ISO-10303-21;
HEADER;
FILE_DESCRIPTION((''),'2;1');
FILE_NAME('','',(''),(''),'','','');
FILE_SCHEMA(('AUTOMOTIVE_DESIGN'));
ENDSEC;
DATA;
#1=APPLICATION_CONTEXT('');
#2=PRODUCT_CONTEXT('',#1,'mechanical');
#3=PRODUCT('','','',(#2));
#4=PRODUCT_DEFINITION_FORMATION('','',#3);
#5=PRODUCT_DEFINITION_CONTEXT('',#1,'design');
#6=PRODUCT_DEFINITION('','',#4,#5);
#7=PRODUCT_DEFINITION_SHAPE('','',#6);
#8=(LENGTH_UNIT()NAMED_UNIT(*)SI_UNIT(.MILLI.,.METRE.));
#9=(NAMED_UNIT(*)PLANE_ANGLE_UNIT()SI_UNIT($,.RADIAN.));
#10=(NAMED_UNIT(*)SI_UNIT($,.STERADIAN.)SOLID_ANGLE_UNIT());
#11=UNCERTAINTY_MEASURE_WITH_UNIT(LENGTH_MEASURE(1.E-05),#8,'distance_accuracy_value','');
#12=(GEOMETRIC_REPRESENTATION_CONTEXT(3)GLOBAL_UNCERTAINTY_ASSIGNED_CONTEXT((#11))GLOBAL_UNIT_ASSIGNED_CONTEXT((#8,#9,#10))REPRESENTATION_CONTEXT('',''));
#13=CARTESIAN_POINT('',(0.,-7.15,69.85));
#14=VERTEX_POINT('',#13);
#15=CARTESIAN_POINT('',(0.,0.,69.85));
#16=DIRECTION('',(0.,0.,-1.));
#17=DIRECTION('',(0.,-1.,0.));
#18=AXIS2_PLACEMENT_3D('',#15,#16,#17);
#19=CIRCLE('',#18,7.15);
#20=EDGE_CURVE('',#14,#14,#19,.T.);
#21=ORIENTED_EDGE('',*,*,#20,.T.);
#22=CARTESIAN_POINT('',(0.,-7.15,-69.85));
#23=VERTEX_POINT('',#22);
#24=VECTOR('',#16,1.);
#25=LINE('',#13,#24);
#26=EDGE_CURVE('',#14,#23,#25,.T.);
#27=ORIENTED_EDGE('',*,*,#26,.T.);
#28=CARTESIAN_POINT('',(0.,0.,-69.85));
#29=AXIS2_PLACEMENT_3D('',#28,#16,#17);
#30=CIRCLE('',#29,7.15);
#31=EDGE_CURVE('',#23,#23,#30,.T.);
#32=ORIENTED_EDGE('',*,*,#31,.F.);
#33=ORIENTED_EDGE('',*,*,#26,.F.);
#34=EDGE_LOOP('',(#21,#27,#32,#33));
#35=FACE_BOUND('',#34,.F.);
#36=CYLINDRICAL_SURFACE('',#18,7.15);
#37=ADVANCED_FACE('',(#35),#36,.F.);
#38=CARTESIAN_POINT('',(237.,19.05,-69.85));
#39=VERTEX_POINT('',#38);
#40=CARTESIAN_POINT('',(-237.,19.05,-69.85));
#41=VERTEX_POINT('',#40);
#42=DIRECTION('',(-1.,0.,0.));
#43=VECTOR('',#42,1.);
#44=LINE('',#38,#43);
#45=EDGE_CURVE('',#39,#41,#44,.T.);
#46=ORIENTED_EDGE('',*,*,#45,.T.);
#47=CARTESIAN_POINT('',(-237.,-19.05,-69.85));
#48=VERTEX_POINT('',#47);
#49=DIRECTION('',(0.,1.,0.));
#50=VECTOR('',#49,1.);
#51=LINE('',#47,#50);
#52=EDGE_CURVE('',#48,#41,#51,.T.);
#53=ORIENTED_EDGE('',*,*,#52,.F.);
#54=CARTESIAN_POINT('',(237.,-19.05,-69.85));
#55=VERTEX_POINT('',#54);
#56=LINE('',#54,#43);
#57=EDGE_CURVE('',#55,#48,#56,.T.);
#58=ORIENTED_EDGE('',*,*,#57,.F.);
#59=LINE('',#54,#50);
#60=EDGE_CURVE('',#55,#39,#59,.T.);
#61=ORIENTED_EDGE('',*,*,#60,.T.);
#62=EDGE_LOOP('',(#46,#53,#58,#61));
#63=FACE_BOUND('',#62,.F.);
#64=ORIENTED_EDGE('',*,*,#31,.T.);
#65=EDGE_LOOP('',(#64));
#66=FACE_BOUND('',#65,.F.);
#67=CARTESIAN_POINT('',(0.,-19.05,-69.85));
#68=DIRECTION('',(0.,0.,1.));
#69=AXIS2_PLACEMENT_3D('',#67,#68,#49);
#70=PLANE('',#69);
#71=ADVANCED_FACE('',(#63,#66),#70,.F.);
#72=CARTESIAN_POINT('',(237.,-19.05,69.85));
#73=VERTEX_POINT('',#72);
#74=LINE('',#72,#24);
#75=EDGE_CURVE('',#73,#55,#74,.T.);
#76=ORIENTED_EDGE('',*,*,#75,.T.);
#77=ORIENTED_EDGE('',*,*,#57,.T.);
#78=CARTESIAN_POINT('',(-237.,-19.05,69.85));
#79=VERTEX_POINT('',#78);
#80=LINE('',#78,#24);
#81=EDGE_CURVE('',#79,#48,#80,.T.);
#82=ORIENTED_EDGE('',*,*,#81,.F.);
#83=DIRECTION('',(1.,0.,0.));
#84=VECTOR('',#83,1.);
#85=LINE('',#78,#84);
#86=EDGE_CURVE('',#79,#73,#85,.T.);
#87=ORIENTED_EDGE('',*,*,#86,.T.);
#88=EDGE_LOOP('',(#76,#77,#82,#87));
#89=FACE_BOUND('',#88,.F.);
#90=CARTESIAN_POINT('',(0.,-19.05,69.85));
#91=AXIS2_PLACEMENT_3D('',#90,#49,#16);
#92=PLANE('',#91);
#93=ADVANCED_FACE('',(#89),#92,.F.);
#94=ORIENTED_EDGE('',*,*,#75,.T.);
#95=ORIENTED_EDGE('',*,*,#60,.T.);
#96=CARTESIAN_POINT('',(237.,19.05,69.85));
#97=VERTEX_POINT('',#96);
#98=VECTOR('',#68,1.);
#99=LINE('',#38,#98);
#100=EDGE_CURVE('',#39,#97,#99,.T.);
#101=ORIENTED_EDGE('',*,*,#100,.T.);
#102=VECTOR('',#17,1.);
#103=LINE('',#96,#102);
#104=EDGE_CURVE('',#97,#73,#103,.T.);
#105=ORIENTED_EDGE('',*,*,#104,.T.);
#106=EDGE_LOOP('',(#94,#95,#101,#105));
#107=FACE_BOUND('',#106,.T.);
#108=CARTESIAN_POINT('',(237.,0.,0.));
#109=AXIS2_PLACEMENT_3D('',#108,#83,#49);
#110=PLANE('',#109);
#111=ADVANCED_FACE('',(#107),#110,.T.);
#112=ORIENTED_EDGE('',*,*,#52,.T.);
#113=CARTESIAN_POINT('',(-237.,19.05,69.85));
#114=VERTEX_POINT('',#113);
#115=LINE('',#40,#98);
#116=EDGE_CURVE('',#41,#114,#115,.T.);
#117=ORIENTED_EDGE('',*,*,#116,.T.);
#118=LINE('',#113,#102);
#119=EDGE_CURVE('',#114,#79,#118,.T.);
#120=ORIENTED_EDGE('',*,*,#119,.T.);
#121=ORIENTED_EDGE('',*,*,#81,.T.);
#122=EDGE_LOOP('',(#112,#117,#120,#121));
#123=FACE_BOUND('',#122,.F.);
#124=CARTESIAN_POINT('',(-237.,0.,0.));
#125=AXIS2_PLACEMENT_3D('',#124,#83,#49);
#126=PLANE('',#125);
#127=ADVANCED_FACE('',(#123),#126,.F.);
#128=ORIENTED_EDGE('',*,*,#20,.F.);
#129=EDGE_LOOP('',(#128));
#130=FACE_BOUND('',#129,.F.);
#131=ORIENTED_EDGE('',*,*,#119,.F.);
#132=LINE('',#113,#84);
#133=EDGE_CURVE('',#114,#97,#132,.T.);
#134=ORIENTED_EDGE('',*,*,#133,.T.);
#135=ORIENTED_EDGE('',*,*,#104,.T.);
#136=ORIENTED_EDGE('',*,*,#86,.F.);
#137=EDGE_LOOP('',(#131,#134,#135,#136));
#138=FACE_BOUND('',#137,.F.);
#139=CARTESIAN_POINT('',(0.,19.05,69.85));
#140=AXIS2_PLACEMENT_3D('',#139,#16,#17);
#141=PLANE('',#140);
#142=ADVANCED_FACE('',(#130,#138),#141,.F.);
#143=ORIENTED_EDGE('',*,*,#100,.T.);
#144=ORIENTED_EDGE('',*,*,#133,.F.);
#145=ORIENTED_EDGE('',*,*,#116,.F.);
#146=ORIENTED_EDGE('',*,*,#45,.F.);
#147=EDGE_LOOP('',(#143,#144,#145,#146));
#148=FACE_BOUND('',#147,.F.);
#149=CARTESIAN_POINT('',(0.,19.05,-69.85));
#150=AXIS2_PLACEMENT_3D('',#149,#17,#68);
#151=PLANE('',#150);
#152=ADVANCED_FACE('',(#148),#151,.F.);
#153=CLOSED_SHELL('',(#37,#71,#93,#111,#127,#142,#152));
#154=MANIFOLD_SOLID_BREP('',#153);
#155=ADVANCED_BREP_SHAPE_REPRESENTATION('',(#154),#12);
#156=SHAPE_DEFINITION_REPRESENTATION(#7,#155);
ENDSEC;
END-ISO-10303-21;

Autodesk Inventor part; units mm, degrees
ref_plane "YZ Plane" through (0, 0, 0) normal (1, 0, 0) x (0, 1, 0)
ref_plane "XZ Plane" through (0, 0, 0) normal (0, 1, 0) x (-1, 0, 0)
ref_plane "XY Plane" through (0, 0, 0) normal (0, 0, 1) x (1, 0, 0)
sketch "Sketch1" plane through (0, 0, 0) normal (1, 0, 0) x (0, 1, 0)
  line L0 (19.05, 69.85) -> (-19.05, 69.85)
  line L1 (-19.05, 69.85) -> (-19.05, -69.85)
  line L2 (-19.05, -69.85) -> (19.05, -69.85)
  line L3 (19.05, -69.85) -> (19.05, 69.85)
  line L4 (19.05, 69.85) -> (-19.05, -69.85) construction
  line L5 (-19.05, 69.85) -> (19.05, -69.85) construction
  point P0 (0, 0)
  dimension "d0" = 38.1
  dimension "d1" = 139.7
extrude "Extrusion1" add sketch "Sketch1" along normal mid plane 474
sketch "Sketch2" plane through (-237, -19.05, 69.85) normal (0, 0, 1) x (1, 0, 0)
  circle A0 centre (237, 19.05) radius 7.165
  dimension "d4" = 14.33
hole "Hole1" at (0, 0, 69.85) direction (0, 0, -1) diameter 14.3 end through all
properties part number "CNC-1.1v-X-4-(plate form mover)"
